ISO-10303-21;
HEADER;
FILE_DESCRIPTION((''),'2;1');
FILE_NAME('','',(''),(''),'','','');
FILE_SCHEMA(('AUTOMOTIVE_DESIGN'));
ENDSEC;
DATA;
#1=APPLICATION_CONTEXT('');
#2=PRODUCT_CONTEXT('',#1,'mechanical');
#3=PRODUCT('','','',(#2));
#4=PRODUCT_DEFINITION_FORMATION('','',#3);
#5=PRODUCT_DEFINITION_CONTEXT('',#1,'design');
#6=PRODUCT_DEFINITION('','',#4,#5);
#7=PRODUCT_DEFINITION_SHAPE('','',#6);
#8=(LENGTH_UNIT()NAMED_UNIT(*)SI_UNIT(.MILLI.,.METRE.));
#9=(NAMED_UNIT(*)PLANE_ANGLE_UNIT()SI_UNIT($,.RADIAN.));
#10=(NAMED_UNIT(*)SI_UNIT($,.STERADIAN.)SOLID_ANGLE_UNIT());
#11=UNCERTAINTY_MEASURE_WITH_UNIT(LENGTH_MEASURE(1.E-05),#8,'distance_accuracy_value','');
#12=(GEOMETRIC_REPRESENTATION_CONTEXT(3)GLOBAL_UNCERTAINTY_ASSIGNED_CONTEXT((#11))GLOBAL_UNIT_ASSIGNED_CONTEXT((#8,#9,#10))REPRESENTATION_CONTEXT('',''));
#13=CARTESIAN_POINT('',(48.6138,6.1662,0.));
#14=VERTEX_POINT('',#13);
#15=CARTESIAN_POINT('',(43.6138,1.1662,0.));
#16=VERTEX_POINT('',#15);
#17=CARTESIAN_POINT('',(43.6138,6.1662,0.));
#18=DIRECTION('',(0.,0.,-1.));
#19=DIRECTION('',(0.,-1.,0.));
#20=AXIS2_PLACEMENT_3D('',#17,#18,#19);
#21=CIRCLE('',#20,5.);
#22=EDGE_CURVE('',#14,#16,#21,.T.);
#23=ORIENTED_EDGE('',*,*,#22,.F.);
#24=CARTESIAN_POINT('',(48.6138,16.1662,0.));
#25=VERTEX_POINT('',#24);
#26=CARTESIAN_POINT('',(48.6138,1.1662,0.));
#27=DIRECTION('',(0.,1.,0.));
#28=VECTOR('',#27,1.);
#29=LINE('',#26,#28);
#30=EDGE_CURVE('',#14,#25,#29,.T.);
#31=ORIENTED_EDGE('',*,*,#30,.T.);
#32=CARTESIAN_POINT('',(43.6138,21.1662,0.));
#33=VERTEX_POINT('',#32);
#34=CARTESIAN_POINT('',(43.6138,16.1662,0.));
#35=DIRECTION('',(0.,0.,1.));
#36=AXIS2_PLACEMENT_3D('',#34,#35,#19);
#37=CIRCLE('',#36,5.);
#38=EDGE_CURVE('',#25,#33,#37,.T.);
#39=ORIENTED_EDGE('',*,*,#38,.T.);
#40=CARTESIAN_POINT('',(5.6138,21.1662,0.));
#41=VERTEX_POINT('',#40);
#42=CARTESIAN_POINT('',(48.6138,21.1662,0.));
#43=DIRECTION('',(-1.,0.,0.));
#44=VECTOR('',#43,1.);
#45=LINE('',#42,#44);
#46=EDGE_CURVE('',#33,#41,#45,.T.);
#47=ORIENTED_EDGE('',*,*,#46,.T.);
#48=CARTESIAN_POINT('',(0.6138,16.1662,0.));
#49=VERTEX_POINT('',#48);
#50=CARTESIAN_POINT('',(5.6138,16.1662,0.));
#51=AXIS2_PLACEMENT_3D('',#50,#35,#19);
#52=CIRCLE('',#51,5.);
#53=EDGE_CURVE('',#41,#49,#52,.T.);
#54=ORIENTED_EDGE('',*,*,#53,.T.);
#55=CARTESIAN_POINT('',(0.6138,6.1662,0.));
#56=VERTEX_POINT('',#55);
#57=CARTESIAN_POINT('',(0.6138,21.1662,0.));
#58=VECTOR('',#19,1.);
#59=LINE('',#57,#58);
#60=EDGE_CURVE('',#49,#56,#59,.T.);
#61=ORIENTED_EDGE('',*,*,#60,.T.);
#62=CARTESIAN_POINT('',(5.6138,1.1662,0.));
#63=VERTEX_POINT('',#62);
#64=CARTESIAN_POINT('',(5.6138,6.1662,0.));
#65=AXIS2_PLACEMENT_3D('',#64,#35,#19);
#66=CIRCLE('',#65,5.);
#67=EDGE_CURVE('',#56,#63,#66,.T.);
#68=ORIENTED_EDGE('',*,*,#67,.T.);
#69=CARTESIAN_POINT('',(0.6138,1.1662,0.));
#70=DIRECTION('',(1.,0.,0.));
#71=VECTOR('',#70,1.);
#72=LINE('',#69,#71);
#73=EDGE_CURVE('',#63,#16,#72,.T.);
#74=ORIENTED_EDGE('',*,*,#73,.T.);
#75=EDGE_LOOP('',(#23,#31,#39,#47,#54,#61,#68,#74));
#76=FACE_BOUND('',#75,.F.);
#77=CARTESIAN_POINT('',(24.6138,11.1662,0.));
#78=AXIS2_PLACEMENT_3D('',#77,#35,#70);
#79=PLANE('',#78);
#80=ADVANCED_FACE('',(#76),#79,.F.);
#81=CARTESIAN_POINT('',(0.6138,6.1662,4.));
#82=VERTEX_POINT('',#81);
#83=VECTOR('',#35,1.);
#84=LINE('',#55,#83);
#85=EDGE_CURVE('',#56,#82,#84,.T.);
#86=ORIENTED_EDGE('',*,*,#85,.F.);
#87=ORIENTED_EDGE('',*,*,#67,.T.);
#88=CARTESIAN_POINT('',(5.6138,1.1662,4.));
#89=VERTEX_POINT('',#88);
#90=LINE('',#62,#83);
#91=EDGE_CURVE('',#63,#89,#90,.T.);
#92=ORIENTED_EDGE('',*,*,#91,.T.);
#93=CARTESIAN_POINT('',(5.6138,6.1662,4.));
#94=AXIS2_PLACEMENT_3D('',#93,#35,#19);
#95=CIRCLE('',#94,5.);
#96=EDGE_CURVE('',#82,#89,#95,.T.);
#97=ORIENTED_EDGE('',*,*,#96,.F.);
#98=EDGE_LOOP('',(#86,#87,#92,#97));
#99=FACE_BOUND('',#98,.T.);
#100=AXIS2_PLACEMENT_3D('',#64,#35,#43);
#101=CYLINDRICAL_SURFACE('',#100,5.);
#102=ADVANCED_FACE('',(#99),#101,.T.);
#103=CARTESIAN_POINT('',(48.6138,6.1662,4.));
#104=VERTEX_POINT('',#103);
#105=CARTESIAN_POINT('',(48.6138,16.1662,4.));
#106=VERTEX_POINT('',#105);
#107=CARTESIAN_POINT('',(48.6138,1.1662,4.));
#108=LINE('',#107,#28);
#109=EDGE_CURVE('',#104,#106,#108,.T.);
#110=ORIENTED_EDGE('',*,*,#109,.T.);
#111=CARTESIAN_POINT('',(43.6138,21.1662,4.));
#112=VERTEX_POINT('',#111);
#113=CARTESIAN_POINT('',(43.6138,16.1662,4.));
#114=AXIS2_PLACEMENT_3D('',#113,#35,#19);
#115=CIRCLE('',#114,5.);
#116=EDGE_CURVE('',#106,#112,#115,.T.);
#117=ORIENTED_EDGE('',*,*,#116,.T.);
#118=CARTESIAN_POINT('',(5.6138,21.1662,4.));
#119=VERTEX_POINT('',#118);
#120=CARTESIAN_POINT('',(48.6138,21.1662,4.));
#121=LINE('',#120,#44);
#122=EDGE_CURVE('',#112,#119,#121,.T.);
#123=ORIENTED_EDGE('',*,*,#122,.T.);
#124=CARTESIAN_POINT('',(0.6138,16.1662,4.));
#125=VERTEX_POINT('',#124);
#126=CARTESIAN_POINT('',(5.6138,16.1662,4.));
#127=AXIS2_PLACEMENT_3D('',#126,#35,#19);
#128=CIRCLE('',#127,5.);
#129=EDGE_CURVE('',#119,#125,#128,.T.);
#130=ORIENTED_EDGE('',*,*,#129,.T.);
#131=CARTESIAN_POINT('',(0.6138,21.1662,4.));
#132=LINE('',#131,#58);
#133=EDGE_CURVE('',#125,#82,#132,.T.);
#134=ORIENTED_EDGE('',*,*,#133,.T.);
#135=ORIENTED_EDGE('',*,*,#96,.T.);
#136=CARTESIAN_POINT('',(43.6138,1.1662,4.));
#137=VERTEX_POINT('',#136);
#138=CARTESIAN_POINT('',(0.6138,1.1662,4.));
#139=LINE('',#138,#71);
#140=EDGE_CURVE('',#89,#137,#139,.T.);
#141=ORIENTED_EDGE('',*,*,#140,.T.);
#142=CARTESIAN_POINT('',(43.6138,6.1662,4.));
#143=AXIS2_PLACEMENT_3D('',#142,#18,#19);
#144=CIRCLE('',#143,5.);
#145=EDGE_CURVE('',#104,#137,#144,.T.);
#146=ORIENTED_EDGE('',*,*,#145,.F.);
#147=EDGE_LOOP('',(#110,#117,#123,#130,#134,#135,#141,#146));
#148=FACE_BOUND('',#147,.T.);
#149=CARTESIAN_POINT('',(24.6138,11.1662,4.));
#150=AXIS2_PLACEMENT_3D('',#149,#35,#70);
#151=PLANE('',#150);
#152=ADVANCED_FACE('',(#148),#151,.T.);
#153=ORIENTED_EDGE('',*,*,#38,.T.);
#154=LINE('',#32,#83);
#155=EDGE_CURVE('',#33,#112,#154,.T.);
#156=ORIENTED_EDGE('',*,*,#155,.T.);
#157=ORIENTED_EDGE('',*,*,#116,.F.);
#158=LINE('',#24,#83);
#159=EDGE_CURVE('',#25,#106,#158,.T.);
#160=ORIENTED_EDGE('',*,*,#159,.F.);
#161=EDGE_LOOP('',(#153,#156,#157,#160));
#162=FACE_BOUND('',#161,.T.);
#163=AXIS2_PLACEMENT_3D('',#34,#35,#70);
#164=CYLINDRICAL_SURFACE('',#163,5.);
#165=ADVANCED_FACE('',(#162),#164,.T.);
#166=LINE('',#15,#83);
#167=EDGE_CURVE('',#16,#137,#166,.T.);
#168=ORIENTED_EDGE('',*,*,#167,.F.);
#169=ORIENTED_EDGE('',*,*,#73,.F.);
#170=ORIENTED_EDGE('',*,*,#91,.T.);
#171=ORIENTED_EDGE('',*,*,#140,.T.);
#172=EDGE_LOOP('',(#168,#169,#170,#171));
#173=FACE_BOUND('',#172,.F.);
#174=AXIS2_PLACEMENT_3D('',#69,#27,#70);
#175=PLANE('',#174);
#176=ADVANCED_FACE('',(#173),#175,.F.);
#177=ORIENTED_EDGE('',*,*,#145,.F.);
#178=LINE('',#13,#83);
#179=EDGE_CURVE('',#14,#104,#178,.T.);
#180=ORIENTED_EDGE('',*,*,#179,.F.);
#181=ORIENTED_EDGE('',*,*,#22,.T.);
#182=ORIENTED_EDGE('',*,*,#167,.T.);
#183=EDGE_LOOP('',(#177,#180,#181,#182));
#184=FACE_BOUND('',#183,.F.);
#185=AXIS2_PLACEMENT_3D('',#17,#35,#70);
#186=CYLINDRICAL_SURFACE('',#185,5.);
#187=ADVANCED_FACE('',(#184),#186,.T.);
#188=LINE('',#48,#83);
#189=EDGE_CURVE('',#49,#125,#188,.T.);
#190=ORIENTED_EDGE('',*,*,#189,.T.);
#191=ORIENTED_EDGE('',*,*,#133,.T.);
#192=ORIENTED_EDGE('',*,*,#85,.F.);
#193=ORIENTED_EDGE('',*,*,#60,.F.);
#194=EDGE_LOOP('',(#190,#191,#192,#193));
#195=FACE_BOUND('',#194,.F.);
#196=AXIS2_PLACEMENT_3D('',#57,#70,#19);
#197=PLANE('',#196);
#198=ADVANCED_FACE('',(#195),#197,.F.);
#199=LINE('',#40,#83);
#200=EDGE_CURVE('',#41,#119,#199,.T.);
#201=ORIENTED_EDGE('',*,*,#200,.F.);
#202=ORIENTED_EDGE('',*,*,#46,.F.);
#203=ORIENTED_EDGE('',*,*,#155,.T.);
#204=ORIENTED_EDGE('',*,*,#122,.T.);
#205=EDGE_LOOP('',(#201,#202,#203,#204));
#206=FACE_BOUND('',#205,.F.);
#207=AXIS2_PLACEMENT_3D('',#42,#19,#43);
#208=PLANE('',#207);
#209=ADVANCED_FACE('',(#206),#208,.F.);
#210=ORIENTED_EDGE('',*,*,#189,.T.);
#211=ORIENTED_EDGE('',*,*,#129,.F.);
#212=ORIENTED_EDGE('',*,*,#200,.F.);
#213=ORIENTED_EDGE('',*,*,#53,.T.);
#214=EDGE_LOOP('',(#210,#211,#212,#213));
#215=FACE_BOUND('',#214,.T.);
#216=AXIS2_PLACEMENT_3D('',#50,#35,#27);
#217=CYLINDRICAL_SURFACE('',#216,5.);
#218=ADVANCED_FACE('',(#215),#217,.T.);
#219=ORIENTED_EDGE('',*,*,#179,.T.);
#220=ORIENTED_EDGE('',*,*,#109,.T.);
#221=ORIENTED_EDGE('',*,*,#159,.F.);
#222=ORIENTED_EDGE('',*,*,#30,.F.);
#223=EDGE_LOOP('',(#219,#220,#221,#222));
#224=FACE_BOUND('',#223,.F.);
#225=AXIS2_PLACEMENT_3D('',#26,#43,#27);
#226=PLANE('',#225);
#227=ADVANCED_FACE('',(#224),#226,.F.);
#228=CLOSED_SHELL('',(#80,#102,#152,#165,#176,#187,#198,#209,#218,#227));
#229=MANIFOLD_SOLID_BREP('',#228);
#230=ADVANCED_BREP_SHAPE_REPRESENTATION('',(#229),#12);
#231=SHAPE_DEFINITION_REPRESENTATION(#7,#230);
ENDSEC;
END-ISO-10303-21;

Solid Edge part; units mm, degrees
sketch "Sketch1" plane through (0, 0, 0) normal (0, 0, 1) x (1, 0, 0)
  line L0 (48.6138, 1.1662) -> (48.6138, 21.1662)
  line L1 (48.6138, 21.1662) -> (0.6138, 21.1662)
  line L2 (0.6138, 21.1662) -> (0.6138, 1.1662)
  line L3 (0.6138, 1.1662) -> (48.6138, 1.1662)
extrude "Protrusion1" add sketch "Sketch1" along normal blind 4
fillet "Redondo_2" radius 5 4 edges at (48.6138, 1.1662, 2) (48.6138, 21.1662, 2) (0.6138, 21.1662, 2) (0.6138, 1.1662, 2)
